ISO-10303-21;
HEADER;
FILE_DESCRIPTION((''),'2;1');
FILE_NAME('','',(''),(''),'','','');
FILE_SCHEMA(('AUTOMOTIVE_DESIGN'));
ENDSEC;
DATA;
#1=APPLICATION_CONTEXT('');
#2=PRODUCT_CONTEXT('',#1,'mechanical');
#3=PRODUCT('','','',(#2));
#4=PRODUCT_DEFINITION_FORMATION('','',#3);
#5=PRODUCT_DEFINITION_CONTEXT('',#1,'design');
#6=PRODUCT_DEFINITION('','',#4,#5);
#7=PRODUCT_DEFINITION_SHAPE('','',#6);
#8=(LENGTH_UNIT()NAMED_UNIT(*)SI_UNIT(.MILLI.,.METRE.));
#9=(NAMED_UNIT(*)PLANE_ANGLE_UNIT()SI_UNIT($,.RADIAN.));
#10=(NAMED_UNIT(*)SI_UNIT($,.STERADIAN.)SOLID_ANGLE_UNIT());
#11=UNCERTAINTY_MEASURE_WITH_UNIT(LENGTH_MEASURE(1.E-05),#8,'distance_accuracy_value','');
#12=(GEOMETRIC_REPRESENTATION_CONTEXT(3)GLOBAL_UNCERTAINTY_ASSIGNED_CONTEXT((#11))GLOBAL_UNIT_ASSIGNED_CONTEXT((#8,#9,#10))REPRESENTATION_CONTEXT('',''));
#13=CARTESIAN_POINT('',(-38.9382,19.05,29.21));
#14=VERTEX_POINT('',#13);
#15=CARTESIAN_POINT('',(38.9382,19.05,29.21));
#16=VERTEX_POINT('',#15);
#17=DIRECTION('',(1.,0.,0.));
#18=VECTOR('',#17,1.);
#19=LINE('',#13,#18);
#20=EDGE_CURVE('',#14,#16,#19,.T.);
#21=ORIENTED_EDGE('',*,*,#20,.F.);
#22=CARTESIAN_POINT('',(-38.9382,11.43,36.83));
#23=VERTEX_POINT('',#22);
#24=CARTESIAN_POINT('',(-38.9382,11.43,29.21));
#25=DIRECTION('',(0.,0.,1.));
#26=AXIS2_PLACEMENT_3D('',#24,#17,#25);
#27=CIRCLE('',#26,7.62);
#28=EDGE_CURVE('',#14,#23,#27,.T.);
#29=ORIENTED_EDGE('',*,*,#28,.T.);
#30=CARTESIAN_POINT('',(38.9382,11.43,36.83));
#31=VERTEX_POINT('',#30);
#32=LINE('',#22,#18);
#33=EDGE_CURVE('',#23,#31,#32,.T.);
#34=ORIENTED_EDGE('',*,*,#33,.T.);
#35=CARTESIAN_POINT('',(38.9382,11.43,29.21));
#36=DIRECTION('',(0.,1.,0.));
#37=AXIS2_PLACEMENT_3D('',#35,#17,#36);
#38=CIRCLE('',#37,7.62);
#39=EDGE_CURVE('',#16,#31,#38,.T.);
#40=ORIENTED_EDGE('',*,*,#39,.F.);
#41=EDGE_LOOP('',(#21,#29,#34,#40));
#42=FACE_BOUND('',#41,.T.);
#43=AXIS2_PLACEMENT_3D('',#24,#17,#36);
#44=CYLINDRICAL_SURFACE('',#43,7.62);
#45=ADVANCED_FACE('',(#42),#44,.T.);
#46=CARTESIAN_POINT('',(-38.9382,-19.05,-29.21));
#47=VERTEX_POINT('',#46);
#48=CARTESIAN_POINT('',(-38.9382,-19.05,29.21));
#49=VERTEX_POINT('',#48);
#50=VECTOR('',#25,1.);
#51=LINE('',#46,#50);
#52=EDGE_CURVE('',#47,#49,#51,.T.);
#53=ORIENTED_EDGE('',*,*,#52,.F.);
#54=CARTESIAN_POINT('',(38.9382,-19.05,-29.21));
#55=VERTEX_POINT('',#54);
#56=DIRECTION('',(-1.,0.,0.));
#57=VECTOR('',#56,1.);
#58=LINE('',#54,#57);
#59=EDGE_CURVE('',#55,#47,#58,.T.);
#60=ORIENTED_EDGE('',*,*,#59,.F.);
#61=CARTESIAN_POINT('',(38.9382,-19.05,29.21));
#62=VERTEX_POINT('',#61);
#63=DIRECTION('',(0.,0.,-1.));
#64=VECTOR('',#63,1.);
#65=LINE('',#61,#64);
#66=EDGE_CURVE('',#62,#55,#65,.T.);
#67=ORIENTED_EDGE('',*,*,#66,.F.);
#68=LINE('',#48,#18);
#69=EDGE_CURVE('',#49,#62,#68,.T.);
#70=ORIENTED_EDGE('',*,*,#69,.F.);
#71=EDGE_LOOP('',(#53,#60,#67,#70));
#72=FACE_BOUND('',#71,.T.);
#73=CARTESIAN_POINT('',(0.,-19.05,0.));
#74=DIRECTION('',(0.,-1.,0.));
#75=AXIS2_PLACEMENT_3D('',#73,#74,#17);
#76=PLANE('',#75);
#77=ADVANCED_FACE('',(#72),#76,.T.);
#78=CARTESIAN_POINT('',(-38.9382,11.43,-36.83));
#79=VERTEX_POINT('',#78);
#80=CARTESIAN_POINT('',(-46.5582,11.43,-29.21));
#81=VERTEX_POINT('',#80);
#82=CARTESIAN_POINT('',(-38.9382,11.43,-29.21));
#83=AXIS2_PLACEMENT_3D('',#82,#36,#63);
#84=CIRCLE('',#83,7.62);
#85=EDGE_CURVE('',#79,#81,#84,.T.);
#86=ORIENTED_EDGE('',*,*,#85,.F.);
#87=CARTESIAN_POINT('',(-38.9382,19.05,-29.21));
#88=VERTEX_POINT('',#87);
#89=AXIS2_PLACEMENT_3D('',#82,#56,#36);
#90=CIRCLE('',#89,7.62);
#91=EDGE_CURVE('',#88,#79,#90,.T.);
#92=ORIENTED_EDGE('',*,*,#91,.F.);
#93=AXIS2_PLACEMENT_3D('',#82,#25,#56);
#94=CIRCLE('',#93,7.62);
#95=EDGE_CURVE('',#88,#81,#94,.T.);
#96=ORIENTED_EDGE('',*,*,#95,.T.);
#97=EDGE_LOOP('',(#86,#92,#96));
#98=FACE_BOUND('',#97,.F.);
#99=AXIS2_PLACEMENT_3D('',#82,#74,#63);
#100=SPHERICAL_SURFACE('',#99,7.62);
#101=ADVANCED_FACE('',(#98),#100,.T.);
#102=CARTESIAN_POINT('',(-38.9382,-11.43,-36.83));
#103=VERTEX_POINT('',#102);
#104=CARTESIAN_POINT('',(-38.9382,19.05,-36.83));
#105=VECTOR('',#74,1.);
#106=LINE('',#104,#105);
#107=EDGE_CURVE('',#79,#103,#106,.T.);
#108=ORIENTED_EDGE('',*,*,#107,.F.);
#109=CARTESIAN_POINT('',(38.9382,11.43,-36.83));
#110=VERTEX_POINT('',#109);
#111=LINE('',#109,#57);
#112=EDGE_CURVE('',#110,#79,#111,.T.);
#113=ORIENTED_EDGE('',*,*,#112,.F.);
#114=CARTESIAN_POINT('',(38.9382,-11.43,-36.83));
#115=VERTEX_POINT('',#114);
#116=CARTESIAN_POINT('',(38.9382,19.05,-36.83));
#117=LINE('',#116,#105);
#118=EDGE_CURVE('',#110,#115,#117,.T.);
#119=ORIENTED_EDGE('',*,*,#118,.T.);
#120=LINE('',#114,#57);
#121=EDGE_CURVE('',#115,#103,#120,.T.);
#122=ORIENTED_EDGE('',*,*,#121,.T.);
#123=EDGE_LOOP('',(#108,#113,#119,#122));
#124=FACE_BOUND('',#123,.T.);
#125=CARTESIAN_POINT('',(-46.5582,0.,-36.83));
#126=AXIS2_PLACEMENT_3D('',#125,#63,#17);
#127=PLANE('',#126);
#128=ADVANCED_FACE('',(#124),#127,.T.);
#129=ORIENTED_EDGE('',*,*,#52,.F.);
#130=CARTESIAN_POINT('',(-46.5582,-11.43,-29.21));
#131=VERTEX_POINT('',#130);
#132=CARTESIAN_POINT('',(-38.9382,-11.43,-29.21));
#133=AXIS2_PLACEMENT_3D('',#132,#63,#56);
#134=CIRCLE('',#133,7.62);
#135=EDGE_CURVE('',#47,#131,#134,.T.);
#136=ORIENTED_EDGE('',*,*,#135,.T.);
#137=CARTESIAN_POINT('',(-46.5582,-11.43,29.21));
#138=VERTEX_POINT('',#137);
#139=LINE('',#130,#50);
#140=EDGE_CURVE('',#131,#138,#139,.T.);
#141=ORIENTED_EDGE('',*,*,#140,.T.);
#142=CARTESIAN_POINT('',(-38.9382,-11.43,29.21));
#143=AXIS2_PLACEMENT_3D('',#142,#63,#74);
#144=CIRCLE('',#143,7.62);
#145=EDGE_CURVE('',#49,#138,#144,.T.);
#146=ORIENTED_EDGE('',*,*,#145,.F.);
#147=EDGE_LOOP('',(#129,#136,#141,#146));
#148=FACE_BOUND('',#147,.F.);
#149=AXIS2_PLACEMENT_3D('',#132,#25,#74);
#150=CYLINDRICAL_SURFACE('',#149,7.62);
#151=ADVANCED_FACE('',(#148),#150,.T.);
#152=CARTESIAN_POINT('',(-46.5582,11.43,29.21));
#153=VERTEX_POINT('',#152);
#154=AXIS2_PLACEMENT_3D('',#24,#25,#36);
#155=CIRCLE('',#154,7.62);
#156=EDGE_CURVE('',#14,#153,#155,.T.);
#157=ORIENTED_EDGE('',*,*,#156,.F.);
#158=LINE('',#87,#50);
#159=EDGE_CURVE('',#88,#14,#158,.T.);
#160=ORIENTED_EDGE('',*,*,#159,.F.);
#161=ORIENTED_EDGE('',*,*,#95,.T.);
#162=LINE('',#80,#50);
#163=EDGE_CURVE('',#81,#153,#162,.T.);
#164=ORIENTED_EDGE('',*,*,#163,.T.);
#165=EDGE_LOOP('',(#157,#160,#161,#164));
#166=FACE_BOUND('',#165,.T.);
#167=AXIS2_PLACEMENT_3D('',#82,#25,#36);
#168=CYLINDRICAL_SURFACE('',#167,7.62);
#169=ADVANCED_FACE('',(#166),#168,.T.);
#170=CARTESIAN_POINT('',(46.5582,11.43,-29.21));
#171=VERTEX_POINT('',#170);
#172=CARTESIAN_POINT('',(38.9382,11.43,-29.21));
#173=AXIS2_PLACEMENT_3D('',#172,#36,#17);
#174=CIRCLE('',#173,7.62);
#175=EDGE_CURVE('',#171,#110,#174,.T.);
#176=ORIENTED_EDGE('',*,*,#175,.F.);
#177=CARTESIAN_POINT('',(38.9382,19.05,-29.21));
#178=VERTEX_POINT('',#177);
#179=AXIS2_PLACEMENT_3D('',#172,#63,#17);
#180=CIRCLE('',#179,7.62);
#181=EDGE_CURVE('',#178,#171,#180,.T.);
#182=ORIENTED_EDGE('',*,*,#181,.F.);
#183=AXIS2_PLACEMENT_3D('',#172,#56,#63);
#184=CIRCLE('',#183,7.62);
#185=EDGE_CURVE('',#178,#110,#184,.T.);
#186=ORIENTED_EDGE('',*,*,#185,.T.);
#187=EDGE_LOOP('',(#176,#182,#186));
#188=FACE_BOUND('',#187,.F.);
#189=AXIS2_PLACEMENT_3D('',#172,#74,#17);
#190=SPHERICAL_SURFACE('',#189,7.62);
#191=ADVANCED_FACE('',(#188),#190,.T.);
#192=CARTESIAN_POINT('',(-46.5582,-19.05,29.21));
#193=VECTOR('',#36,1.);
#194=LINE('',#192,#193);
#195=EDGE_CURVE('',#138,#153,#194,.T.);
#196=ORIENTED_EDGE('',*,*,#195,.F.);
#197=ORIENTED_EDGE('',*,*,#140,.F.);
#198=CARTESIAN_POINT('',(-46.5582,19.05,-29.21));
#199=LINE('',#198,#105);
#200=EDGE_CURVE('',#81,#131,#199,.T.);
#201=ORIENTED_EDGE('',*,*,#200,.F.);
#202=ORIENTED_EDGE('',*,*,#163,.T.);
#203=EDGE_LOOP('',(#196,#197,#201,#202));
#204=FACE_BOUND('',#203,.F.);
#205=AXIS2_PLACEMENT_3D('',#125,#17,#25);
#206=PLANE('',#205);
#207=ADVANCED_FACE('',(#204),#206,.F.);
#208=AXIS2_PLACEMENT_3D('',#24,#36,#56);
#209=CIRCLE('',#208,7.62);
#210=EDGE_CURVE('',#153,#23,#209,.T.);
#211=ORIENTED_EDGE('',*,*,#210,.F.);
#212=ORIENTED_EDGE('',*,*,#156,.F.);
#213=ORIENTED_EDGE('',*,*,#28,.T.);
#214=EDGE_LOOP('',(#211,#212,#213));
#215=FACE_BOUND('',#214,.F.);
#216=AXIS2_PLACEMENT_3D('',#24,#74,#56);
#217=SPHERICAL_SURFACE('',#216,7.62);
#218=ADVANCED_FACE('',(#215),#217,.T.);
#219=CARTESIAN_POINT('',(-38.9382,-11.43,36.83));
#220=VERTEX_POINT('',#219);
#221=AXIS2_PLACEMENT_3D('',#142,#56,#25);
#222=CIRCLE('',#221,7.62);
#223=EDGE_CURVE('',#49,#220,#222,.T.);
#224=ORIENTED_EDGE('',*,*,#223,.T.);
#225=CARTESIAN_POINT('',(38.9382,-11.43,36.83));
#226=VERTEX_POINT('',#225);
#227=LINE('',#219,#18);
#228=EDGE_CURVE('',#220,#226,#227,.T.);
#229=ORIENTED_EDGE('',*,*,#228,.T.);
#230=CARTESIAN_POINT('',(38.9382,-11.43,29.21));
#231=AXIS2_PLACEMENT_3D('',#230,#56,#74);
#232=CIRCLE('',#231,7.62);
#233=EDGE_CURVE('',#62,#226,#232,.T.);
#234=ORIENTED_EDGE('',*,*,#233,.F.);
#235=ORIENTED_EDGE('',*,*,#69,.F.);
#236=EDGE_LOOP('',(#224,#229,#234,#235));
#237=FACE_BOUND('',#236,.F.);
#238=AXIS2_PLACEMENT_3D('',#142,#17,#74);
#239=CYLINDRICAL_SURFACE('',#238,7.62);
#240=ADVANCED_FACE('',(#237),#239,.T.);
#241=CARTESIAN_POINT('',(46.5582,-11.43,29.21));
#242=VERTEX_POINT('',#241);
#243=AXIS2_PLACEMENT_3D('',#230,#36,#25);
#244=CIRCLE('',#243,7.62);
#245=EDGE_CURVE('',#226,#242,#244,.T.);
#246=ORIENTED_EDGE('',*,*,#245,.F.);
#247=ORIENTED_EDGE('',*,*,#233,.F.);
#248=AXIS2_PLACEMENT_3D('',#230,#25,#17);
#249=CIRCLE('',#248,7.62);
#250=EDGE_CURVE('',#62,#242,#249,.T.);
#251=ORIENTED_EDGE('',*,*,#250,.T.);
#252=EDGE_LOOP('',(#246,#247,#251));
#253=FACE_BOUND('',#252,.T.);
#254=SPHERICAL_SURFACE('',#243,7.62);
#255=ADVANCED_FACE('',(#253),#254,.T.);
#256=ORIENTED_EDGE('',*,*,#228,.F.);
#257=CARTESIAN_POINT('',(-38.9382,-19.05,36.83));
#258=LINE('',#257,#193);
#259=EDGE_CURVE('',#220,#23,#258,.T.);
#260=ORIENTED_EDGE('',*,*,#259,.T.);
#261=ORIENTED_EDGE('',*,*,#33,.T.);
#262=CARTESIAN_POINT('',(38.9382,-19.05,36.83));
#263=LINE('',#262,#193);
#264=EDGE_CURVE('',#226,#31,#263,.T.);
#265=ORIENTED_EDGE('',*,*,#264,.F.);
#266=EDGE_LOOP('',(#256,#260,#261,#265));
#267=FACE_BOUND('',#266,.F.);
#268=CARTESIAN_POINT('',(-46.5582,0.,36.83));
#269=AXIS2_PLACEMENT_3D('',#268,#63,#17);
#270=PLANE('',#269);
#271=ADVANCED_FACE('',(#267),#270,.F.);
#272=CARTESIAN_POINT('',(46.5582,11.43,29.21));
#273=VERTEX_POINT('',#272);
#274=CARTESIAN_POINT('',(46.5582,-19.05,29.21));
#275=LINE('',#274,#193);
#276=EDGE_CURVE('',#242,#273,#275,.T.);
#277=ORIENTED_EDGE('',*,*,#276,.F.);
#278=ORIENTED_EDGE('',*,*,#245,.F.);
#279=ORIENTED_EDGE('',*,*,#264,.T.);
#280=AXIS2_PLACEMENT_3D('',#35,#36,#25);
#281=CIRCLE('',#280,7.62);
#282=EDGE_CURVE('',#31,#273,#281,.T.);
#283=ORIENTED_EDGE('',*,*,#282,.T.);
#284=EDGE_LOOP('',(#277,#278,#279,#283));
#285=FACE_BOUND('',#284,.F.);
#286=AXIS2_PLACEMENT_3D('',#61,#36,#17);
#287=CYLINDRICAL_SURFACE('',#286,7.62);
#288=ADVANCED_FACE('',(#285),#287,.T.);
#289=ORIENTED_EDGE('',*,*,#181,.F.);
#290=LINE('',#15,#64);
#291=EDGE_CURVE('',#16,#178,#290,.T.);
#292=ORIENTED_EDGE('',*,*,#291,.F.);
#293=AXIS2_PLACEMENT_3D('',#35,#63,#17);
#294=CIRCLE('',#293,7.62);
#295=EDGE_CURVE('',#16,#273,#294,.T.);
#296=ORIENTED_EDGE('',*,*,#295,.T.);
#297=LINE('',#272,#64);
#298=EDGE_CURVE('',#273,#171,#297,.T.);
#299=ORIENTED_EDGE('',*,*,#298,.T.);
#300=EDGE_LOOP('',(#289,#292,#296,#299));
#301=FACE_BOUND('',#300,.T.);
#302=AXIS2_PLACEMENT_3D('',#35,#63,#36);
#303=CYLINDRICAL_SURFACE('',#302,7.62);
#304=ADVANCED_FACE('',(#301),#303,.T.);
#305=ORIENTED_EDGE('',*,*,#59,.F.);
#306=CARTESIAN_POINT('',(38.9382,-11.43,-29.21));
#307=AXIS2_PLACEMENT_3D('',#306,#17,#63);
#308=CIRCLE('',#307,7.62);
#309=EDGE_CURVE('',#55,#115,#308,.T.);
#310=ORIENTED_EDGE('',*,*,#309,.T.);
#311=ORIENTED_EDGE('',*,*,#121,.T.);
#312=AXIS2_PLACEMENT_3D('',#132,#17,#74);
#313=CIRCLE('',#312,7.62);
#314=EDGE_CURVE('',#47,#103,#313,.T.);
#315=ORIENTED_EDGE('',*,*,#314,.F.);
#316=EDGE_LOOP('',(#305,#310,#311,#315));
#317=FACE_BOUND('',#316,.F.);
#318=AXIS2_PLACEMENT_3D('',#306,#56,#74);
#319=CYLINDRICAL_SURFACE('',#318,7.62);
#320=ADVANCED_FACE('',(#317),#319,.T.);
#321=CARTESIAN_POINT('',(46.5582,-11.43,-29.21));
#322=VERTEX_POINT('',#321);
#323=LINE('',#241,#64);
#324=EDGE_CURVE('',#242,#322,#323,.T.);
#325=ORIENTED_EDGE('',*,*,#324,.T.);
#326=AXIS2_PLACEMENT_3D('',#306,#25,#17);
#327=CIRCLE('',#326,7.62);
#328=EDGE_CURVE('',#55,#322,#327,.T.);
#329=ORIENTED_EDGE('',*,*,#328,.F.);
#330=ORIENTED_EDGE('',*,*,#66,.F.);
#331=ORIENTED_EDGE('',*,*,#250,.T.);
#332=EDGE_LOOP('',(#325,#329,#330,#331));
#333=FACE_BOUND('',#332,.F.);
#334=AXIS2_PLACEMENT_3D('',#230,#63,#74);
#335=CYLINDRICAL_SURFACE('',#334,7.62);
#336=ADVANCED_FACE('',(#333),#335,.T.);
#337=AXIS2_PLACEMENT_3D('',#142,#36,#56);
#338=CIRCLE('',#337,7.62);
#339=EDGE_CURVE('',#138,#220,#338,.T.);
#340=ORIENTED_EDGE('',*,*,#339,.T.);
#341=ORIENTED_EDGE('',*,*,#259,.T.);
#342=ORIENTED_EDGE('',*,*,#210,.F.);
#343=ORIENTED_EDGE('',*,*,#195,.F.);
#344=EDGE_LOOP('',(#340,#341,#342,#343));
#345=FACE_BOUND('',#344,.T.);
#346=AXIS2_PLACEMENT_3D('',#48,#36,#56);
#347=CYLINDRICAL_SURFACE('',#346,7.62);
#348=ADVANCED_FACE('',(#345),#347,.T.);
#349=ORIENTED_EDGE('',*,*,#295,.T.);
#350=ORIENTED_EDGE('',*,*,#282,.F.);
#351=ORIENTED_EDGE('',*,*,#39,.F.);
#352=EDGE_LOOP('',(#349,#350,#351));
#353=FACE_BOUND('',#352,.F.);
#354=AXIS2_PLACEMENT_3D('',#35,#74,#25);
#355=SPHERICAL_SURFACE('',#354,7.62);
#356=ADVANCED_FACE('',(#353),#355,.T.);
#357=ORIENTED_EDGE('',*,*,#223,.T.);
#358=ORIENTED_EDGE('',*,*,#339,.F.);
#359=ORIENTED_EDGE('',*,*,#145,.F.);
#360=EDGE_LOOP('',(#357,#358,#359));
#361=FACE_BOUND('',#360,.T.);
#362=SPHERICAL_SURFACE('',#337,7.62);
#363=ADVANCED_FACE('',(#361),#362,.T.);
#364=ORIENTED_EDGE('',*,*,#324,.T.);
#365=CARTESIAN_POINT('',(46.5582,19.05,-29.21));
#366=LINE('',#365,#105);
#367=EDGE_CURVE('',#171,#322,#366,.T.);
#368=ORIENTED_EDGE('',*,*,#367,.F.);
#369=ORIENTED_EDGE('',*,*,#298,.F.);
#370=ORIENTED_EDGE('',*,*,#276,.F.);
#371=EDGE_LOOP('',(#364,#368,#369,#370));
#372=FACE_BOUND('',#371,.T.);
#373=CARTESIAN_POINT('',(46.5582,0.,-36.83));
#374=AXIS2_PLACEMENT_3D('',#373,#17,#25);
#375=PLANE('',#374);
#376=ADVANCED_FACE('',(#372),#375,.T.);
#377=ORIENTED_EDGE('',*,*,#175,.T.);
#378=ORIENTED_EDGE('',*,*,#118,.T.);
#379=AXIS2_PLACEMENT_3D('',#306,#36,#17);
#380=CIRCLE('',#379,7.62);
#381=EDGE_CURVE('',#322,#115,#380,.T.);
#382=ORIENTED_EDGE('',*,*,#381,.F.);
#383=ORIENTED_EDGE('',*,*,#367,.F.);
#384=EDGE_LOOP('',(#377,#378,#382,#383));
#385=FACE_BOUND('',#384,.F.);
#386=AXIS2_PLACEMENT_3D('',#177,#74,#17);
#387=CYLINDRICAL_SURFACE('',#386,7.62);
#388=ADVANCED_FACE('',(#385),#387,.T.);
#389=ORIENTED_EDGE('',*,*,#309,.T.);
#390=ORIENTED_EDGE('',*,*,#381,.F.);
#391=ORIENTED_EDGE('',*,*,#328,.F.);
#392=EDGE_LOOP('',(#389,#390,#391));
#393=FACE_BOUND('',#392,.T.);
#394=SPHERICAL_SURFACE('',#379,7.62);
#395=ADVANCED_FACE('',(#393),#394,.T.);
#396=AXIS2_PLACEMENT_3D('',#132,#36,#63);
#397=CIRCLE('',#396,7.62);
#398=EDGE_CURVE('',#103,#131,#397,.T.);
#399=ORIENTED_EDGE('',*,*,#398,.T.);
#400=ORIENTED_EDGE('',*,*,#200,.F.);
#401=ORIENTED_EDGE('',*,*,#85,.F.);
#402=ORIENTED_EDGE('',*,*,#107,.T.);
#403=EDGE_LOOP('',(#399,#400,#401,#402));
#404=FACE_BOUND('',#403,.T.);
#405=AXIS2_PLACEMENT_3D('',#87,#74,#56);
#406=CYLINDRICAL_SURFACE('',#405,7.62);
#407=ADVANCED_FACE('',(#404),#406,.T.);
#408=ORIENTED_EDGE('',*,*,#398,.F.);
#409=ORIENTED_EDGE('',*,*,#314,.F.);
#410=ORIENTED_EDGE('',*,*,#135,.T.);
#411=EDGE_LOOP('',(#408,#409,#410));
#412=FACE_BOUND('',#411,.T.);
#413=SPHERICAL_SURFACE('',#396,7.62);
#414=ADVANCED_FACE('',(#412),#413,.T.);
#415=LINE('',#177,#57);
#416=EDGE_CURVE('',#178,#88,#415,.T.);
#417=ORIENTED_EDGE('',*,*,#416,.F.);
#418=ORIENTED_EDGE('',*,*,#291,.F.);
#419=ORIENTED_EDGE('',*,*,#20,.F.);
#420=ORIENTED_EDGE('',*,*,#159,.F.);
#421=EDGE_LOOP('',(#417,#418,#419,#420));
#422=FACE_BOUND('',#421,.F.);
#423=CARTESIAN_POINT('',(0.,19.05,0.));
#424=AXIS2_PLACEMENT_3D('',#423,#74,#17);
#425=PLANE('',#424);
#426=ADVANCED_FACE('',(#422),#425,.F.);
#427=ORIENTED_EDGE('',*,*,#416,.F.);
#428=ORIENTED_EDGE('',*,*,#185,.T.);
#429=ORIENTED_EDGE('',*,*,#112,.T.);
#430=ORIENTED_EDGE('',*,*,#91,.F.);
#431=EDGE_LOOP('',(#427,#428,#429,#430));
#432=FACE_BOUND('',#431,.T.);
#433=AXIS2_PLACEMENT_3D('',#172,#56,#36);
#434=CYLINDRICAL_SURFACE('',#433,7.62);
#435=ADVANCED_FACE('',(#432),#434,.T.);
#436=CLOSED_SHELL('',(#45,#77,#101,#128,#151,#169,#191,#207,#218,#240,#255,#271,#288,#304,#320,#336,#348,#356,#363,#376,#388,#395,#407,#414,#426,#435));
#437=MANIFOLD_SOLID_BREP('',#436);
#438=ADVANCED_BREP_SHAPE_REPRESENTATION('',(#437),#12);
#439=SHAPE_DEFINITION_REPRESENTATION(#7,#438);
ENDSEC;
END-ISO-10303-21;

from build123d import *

# Parameters (mm, degrees)
F0_W     = 93.1164
F0_H     = 73.66
F1_DEPTH = 19.05
F2_R     = 7.62
F3_R     = 7.62
F4_R     = 7.62


with BuildPart() as f1:
    # F0 (on Front) → F1 (new body, symmetric)
    with BuildSketch(Plane.XZ):
        Rectangle(F0_W, F0_H)
    extrude(amount=F1_DEPTH, both=True)

    # F2
    f2_edges = [f1.edges().sort_by_distance(p)[0] for p in [
        (-46.5582, 0, -36.83),
        (-46.5582, 0, 36.83),
        (46.5582, 0, -36.83),
        (46.5582, 0, 36.83),
    ]]
    fillet(f2_edges, radius=F2_R)

    # F3
    f3_edges = [f1.edges().sort_by_distance(p)[0] for p in [
        (44.326354, -19.05, -34.598154),
        (0, -19.05, -36.83),
        (46.5582, -19.05, 0),
        (44.326354, -19.05, 34.598154),
        (0, -19.05, 36.83),
        (-44.326354, -19.05, 34.598154),
        (-46.5582, -19.05, 0),
        (-44.326354, -19.05, -34.598154),
    ]]
    fillet(f3_edges, radius=F3_R)

    # F4
    f4_edges = [f1.edges().sort_by_distance(p)[0] for p in [
        (44.326354, 19.05, -34.598154),
        (0, 19.05, -36.83),
        (46.5582, 19.05, 0),
        (-44.326354, 19.05, -34.598154),
        (-46.5582, 19.05, 0),
        (-44.326354, 19.05, 34.598154),
        (0, 19.05, 36.83),
        (44.326354, 19.05, 34.598154),
    ]]
    fillet(f4_edges, radius=F4_R)


solid = f1.part
